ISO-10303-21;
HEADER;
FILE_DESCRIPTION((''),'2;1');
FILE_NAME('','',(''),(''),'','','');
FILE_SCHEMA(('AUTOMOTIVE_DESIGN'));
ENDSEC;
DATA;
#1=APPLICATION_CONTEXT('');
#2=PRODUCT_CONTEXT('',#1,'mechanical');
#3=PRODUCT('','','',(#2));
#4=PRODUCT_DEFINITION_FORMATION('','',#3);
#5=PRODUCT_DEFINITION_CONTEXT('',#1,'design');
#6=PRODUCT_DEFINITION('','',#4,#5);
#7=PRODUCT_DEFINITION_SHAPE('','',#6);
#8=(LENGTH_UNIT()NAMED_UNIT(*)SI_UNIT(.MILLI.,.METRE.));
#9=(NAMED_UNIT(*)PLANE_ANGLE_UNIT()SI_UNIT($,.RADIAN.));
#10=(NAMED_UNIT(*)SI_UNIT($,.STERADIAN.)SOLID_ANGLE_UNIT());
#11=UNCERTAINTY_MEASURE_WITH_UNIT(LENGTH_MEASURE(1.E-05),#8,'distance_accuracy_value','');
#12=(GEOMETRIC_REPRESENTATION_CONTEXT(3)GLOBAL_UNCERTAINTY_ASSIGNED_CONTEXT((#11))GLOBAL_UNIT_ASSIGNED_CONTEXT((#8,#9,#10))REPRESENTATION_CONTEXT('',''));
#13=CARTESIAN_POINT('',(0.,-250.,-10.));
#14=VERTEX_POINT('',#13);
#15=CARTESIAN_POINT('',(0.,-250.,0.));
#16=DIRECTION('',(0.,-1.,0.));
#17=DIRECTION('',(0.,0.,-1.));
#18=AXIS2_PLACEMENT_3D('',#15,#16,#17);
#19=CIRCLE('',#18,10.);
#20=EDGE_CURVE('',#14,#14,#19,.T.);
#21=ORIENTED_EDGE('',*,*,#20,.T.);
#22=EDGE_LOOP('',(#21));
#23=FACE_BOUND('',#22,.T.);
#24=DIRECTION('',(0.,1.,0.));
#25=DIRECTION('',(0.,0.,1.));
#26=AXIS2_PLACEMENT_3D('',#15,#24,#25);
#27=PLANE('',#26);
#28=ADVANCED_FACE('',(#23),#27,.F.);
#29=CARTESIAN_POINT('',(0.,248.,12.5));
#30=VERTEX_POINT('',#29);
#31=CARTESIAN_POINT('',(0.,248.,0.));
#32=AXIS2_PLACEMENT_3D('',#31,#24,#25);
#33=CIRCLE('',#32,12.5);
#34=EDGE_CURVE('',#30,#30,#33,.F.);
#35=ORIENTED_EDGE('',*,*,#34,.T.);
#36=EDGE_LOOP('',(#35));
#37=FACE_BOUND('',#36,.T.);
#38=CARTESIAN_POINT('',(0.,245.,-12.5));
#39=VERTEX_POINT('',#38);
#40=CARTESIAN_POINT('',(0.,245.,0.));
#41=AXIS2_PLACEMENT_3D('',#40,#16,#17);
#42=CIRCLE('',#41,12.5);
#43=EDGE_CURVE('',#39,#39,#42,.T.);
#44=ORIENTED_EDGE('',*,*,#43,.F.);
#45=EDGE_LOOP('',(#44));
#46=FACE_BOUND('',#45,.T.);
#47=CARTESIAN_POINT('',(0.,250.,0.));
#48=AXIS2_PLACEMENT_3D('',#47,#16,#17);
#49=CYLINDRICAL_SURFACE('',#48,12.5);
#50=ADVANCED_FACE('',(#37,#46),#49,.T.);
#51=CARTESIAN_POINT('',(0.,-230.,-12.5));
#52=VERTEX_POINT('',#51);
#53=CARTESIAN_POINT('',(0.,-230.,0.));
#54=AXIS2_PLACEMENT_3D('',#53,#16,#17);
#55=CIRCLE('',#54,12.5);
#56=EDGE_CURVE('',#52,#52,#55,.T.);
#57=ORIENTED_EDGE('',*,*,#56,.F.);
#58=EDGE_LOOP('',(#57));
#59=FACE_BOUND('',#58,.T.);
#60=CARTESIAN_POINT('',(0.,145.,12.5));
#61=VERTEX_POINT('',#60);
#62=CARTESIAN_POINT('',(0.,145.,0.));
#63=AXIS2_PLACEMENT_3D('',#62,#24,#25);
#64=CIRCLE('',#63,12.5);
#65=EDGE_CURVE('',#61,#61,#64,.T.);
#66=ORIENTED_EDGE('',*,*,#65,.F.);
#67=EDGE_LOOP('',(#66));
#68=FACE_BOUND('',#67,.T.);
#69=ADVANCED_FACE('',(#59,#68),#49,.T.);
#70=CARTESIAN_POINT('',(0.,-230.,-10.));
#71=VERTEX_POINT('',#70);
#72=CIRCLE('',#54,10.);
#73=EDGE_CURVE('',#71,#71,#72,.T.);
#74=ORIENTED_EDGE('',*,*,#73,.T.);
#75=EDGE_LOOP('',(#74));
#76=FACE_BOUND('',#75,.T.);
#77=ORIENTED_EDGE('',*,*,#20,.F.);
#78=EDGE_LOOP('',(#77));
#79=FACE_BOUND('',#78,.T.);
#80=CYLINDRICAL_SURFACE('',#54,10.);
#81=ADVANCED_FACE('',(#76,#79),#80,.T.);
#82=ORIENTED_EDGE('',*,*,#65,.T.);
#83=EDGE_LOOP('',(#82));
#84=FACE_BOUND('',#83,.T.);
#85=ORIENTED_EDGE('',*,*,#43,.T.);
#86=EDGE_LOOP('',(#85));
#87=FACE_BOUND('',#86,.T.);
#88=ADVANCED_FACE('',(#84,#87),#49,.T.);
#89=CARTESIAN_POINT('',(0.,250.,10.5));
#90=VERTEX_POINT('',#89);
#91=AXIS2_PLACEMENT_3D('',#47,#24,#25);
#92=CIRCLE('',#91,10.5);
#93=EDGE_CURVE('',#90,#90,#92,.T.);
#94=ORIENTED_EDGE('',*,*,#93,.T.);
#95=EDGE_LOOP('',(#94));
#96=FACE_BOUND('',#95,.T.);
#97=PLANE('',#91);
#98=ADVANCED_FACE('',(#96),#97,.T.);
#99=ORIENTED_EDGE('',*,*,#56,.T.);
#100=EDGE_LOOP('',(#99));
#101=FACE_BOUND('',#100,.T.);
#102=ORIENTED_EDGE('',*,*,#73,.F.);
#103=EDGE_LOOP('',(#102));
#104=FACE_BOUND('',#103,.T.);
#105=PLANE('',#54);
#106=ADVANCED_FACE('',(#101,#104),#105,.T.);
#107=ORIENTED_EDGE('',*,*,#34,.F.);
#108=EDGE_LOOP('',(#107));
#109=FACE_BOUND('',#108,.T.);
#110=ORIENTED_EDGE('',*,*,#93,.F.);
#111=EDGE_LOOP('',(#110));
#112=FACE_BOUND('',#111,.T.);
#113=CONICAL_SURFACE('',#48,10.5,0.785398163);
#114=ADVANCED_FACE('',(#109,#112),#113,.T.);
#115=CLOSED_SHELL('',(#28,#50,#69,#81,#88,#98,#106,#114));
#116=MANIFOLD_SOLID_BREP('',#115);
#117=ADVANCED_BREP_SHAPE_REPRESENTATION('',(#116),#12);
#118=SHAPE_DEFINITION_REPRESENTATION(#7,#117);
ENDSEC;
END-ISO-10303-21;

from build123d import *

# Parameters (mm, degrees)
SKETCH1_R           = 12.5
BOSS_EXTRUDE1_DEPTH = 250
CHAMFER1_SIZE       = 2
CUT_EXTRUDE1_START  = -20
SKETCH3_R           = 12.5
SKETCH3_R_2         = 10
CUT_EXTRUDE1_DEPTH  = 20


with BuildPart() as part:
    # Sketch1 → Boss-Extrude1 (new, symmetric)
    with BuildSketch(Plane(origin=(0, 0, 0), x_dir=(1, 0, 0), z_dir=(0, 1, 0))):
        with Locations(Location((0, 0, 0), (0, 0, 270))):
            Circle(SKETCH1_R)
    extrude(amount=BOSS_EXTRUDE1_DEPTH, both=True)

    # Chamfer1
    chamfer1_edges = [part.edges().sort_by_distance(p)[0] for p in [
        (0, 250, -12.5),
    ]]
    chamfer(chamfer1_edges, length=CHAMFER1_SIZE)

    # Sketch3 → Cut-Extrude1 (cut)
    with BuildSketch(Plane.XZ.offset(250).offset(CUT_EXTRUDE1_START)):
        with Locations(Location((0, 0, 0), (0, 0, 270))):
            Circle(SKETCH3_R)
        with Locations(Location((0, 0, 0), (0, 0, 270))):
            Circle(SKETCH3_R_2, mode=Mode.SUBTRACT)
    extrude(amount=CUT_EXTRUDE1_DEPTH, mode=Mode.SUBTRACT)


solid = part.part
